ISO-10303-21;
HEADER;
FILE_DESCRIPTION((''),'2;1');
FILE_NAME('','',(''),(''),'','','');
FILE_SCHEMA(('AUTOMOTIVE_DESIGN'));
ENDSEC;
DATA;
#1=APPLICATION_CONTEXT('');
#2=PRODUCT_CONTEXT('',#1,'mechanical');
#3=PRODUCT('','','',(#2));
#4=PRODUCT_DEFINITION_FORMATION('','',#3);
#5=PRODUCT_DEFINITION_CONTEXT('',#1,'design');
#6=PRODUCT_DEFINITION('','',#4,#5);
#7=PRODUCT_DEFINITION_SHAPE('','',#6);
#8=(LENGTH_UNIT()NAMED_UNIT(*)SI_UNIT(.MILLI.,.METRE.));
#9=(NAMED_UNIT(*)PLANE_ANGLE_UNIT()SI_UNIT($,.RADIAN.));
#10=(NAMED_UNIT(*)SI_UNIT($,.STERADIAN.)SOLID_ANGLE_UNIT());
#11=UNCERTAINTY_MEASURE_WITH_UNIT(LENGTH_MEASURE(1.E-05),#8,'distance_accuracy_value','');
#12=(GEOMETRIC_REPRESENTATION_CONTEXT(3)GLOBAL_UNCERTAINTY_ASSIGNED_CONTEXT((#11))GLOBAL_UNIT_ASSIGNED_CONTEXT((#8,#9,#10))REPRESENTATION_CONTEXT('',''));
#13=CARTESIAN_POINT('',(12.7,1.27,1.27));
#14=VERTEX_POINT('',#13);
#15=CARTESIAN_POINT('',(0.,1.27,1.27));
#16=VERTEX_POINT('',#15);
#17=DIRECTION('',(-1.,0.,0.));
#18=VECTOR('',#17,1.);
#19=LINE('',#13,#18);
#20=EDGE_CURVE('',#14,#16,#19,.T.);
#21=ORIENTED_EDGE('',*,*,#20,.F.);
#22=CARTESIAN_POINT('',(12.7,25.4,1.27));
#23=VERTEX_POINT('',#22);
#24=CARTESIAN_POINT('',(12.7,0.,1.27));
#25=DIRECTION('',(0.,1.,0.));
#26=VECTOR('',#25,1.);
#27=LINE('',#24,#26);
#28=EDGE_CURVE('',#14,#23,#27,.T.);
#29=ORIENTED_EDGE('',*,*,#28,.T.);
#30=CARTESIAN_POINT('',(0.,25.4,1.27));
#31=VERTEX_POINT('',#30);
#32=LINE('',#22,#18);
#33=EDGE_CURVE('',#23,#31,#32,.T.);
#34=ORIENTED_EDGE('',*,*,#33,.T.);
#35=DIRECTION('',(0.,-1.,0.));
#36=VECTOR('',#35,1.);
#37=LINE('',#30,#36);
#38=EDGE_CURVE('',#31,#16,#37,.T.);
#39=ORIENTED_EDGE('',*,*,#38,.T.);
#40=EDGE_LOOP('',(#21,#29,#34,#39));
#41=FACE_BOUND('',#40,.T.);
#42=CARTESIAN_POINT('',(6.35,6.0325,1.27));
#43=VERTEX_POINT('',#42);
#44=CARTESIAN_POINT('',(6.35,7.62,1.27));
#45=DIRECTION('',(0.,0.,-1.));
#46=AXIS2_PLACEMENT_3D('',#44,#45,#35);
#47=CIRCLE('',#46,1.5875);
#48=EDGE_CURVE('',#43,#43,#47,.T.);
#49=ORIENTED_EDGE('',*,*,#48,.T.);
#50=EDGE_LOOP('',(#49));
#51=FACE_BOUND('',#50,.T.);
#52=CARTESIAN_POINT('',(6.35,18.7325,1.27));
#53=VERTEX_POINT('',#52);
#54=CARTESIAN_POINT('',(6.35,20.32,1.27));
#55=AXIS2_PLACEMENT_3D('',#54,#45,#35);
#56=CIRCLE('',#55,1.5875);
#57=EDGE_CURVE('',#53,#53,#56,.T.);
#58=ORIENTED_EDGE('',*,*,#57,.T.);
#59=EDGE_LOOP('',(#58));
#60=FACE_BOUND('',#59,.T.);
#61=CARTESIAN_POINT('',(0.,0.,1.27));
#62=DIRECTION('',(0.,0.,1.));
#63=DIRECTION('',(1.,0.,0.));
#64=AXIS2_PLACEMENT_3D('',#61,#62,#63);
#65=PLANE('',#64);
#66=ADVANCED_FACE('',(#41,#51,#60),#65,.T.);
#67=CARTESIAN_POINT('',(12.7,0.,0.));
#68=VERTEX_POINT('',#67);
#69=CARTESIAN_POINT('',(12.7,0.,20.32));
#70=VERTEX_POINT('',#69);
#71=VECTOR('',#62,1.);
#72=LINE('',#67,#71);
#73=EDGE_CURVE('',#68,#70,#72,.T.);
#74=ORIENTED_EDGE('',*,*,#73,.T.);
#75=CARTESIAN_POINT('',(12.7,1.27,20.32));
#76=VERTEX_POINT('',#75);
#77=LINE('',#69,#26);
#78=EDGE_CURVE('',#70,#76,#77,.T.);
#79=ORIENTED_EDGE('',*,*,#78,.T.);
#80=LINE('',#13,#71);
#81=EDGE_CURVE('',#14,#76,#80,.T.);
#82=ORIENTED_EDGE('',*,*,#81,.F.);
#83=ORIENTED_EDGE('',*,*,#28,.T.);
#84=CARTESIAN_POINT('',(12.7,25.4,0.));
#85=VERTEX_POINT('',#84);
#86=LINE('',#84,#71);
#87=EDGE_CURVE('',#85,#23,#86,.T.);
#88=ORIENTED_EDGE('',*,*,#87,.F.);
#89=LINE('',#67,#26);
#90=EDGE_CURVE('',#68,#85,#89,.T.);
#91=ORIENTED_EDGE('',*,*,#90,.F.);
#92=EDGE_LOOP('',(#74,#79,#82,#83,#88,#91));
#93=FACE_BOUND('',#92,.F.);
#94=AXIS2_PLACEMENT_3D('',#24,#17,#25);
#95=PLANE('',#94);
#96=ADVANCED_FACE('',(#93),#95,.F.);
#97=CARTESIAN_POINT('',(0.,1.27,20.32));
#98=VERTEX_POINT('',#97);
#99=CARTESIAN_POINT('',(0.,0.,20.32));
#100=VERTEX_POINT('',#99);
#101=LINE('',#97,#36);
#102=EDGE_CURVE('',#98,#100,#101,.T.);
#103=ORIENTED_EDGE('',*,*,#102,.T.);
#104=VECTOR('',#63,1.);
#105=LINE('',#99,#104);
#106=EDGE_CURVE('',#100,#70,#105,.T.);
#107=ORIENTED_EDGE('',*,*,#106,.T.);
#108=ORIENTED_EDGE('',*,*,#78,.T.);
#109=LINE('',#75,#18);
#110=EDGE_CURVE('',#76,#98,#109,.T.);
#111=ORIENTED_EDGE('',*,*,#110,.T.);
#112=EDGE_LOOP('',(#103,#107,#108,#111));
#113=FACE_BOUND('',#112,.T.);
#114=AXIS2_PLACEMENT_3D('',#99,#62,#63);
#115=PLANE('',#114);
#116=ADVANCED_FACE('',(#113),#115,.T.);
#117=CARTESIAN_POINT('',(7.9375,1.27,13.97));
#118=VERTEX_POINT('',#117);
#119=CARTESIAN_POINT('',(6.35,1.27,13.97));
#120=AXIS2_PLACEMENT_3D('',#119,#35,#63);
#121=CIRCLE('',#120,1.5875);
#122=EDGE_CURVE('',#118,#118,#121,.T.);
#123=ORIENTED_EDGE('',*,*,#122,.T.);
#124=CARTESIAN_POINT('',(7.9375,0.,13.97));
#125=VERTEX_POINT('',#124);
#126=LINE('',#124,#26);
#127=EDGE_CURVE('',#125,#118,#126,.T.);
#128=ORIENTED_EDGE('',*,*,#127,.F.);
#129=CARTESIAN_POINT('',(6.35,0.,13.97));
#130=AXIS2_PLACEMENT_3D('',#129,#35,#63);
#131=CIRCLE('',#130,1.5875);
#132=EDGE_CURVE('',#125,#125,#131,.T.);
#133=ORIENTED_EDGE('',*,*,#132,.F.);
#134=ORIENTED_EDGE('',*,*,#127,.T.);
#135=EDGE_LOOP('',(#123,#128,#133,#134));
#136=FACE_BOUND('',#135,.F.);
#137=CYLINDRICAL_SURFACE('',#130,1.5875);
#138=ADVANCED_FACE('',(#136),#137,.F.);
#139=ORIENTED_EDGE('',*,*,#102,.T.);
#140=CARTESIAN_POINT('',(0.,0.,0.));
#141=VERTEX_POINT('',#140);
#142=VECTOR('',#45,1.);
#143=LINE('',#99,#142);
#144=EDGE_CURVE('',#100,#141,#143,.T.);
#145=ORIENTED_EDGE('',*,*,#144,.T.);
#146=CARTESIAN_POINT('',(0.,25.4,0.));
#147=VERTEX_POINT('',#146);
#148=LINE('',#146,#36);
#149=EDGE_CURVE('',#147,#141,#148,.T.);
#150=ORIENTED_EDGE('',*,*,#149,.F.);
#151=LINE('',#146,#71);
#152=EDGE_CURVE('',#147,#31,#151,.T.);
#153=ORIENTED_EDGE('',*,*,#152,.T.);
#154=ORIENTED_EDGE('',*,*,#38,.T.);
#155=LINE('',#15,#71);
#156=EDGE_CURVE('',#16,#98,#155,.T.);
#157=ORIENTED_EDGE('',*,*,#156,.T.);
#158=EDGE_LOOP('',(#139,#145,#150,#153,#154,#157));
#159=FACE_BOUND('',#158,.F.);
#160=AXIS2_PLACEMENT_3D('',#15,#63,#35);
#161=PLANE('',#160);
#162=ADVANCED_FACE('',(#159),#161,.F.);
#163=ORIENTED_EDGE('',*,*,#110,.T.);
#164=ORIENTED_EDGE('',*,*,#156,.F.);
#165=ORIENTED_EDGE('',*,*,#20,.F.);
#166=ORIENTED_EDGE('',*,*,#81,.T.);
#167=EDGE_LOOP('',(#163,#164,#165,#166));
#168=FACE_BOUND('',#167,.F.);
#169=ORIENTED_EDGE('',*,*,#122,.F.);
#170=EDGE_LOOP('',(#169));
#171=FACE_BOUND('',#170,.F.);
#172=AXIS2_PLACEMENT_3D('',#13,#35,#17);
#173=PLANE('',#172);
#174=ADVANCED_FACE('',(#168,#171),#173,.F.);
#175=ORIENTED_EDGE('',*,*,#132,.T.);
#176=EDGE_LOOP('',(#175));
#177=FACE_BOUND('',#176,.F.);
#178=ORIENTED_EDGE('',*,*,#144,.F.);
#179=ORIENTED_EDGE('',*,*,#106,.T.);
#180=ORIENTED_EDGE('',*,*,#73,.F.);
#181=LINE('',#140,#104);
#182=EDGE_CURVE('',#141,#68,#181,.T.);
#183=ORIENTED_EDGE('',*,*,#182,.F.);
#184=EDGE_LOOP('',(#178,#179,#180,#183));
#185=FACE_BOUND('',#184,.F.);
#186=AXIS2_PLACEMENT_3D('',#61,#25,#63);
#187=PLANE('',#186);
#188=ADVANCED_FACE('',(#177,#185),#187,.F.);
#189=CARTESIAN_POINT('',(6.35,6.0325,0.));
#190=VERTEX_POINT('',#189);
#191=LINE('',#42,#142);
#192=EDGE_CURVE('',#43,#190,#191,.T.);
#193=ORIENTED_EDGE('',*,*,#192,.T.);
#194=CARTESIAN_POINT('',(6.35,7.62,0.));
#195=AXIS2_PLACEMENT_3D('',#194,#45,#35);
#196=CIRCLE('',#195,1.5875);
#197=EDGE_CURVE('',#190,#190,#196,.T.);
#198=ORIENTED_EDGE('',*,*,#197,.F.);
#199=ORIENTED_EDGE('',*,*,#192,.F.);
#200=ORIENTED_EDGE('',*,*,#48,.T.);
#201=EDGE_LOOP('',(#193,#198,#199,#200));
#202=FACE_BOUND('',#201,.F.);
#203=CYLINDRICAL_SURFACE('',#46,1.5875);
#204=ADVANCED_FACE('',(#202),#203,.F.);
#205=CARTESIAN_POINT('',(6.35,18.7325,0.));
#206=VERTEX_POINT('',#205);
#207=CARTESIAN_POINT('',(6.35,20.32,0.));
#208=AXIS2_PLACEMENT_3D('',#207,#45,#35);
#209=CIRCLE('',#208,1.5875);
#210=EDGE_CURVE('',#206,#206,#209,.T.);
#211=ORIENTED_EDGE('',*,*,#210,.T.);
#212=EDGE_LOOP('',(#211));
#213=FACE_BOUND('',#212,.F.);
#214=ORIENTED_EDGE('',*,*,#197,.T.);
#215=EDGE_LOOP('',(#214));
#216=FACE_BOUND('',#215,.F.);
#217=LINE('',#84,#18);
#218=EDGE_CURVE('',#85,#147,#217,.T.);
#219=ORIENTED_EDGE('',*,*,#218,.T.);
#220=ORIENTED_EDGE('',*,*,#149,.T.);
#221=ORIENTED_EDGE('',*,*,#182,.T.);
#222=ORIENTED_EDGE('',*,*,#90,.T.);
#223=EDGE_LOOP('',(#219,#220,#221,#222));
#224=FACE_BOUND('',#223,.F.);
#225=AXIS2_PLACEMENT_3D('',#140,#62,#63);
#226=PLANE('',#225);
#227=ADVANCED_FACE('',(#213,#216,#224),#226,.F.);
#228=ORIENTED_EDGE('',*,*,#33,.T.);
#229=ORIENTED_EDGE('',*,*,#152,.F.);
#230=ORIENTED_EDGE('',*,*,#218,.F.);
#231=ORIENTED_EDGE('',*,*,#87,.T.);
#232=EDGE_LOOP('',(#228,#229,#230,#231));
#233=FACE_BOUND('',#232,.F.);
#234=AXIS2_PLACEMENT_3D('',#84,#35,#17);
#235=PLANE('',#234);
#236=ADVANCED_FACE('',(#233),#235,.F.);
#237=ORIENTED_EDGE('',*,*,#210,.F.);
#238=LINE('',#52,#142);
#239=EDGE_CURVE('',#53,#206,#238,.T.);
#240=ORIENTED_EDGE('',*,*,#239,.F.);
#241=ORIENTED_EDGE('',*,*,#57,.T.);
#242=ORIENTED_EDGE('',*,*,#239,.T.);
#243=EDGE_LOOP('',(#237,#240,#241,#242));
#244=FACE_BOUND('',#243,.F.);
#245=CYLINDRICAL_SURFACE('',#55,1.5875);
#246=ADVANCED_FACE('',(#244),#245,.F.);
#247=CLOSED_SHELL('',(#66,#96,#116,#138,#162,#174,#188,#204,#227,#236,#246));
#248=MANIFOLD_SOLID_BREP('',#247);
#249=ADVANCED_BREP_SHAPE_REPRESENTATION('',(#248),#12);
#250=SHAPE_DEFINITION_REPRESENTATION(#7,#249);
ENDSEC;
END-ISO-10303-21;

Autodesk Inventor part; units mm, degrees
ref_plane "YZ Plane" through (0, 0, 0) normal (1, 0, 0) x (0, 1, 0)
ref_plane "XZ Plane" through (0, 0, 0) normal (0, 1, 0) x (-1, 0, 0)
ref_plane "XY Plane" through (0, 0, 0) normal (0, 0, 1) x (1, 0, 0)
sketch "Sketch1" plane through (0, 0, 0) normal (0, 0, 1) x (1, 0, 0)
  line L0 (0, 0) -> (12.7, 0)
  line L1 (12.7, 0) -> (12.7, 25.4)
  line L2 (12.7, 25.4) -> (0, 25.4)
  line L3 (0, 25.4) -> (0, 0)
  dimension "d0" = 25.4
  dimension "d1" = 12.7
extrude "Extrusion1" add sketch "Sketch1" along normal blind 1.27
sketch "Sketch2" plane through (0, 0, 1.27) normal (0, 0, 1) x (1, 0, 0)
  line L0 (6.35, -14.9929) -> (6.35, 30.5291) construction
  line L1 (12.7, 0) -> (12.7, 25.4) construction
  line L2 (0, 0) -> (12.7, 0) projected
  point P0 (6.35, 20.32)
  point P1 (6.35, 7.62)
  dimension "d4" = 6.35
  dimension "d5" = 7.62
  dimension "d6" = 12.7
hole "Hole1" at (6.35, 20.32, 1.27) at (6.35, 7.62, 1.27) direction (0, 0, -1) diameter 3.175 depth 25.4 tip angle 118
sketch "Sketch3" plane through (0, 0, 1.27) normal (0, 0, 1) x (1, 0, 0)
  line L0 (12.7, 0) -> (12.7, 25.4) projected
  line L1 (0, 0) -> (12.7, 0)
  line L2 (12.7, 0) -> (12.7, 1.27)
  line L3 (12.7, 1.27) -> (0, 1.27)
  line L4 (0, 1.27) -> (0, 0)
  dimension "d14" = 1.27
extrude "Extrusion2" add sketch "Sketch3" along normal blind 19.05
sketch "Sketch4" plane through (0, 0, 0) normal (0, -1, 0) x (1, 0, 0)
  line L0 (6.35, -12.0636) -> (6.35, 31.9717) construction
  line L1 (12.7, 0) -> (12.7, 20.32) construction
  circle A0 centre (6.35, 13.97) radius 1.5875
  line L2 (0, 20.32) -> (12.7, 20.32) construction
  point P0 (0, 0)
  dimension "d17" = 6.35
  dimension "d18" = 3.175
  dimension "d19" = 6.35
extrude "Extrusion3" cut sketch "Sketch4" against normal blind 19.05
properties part number "000204"
